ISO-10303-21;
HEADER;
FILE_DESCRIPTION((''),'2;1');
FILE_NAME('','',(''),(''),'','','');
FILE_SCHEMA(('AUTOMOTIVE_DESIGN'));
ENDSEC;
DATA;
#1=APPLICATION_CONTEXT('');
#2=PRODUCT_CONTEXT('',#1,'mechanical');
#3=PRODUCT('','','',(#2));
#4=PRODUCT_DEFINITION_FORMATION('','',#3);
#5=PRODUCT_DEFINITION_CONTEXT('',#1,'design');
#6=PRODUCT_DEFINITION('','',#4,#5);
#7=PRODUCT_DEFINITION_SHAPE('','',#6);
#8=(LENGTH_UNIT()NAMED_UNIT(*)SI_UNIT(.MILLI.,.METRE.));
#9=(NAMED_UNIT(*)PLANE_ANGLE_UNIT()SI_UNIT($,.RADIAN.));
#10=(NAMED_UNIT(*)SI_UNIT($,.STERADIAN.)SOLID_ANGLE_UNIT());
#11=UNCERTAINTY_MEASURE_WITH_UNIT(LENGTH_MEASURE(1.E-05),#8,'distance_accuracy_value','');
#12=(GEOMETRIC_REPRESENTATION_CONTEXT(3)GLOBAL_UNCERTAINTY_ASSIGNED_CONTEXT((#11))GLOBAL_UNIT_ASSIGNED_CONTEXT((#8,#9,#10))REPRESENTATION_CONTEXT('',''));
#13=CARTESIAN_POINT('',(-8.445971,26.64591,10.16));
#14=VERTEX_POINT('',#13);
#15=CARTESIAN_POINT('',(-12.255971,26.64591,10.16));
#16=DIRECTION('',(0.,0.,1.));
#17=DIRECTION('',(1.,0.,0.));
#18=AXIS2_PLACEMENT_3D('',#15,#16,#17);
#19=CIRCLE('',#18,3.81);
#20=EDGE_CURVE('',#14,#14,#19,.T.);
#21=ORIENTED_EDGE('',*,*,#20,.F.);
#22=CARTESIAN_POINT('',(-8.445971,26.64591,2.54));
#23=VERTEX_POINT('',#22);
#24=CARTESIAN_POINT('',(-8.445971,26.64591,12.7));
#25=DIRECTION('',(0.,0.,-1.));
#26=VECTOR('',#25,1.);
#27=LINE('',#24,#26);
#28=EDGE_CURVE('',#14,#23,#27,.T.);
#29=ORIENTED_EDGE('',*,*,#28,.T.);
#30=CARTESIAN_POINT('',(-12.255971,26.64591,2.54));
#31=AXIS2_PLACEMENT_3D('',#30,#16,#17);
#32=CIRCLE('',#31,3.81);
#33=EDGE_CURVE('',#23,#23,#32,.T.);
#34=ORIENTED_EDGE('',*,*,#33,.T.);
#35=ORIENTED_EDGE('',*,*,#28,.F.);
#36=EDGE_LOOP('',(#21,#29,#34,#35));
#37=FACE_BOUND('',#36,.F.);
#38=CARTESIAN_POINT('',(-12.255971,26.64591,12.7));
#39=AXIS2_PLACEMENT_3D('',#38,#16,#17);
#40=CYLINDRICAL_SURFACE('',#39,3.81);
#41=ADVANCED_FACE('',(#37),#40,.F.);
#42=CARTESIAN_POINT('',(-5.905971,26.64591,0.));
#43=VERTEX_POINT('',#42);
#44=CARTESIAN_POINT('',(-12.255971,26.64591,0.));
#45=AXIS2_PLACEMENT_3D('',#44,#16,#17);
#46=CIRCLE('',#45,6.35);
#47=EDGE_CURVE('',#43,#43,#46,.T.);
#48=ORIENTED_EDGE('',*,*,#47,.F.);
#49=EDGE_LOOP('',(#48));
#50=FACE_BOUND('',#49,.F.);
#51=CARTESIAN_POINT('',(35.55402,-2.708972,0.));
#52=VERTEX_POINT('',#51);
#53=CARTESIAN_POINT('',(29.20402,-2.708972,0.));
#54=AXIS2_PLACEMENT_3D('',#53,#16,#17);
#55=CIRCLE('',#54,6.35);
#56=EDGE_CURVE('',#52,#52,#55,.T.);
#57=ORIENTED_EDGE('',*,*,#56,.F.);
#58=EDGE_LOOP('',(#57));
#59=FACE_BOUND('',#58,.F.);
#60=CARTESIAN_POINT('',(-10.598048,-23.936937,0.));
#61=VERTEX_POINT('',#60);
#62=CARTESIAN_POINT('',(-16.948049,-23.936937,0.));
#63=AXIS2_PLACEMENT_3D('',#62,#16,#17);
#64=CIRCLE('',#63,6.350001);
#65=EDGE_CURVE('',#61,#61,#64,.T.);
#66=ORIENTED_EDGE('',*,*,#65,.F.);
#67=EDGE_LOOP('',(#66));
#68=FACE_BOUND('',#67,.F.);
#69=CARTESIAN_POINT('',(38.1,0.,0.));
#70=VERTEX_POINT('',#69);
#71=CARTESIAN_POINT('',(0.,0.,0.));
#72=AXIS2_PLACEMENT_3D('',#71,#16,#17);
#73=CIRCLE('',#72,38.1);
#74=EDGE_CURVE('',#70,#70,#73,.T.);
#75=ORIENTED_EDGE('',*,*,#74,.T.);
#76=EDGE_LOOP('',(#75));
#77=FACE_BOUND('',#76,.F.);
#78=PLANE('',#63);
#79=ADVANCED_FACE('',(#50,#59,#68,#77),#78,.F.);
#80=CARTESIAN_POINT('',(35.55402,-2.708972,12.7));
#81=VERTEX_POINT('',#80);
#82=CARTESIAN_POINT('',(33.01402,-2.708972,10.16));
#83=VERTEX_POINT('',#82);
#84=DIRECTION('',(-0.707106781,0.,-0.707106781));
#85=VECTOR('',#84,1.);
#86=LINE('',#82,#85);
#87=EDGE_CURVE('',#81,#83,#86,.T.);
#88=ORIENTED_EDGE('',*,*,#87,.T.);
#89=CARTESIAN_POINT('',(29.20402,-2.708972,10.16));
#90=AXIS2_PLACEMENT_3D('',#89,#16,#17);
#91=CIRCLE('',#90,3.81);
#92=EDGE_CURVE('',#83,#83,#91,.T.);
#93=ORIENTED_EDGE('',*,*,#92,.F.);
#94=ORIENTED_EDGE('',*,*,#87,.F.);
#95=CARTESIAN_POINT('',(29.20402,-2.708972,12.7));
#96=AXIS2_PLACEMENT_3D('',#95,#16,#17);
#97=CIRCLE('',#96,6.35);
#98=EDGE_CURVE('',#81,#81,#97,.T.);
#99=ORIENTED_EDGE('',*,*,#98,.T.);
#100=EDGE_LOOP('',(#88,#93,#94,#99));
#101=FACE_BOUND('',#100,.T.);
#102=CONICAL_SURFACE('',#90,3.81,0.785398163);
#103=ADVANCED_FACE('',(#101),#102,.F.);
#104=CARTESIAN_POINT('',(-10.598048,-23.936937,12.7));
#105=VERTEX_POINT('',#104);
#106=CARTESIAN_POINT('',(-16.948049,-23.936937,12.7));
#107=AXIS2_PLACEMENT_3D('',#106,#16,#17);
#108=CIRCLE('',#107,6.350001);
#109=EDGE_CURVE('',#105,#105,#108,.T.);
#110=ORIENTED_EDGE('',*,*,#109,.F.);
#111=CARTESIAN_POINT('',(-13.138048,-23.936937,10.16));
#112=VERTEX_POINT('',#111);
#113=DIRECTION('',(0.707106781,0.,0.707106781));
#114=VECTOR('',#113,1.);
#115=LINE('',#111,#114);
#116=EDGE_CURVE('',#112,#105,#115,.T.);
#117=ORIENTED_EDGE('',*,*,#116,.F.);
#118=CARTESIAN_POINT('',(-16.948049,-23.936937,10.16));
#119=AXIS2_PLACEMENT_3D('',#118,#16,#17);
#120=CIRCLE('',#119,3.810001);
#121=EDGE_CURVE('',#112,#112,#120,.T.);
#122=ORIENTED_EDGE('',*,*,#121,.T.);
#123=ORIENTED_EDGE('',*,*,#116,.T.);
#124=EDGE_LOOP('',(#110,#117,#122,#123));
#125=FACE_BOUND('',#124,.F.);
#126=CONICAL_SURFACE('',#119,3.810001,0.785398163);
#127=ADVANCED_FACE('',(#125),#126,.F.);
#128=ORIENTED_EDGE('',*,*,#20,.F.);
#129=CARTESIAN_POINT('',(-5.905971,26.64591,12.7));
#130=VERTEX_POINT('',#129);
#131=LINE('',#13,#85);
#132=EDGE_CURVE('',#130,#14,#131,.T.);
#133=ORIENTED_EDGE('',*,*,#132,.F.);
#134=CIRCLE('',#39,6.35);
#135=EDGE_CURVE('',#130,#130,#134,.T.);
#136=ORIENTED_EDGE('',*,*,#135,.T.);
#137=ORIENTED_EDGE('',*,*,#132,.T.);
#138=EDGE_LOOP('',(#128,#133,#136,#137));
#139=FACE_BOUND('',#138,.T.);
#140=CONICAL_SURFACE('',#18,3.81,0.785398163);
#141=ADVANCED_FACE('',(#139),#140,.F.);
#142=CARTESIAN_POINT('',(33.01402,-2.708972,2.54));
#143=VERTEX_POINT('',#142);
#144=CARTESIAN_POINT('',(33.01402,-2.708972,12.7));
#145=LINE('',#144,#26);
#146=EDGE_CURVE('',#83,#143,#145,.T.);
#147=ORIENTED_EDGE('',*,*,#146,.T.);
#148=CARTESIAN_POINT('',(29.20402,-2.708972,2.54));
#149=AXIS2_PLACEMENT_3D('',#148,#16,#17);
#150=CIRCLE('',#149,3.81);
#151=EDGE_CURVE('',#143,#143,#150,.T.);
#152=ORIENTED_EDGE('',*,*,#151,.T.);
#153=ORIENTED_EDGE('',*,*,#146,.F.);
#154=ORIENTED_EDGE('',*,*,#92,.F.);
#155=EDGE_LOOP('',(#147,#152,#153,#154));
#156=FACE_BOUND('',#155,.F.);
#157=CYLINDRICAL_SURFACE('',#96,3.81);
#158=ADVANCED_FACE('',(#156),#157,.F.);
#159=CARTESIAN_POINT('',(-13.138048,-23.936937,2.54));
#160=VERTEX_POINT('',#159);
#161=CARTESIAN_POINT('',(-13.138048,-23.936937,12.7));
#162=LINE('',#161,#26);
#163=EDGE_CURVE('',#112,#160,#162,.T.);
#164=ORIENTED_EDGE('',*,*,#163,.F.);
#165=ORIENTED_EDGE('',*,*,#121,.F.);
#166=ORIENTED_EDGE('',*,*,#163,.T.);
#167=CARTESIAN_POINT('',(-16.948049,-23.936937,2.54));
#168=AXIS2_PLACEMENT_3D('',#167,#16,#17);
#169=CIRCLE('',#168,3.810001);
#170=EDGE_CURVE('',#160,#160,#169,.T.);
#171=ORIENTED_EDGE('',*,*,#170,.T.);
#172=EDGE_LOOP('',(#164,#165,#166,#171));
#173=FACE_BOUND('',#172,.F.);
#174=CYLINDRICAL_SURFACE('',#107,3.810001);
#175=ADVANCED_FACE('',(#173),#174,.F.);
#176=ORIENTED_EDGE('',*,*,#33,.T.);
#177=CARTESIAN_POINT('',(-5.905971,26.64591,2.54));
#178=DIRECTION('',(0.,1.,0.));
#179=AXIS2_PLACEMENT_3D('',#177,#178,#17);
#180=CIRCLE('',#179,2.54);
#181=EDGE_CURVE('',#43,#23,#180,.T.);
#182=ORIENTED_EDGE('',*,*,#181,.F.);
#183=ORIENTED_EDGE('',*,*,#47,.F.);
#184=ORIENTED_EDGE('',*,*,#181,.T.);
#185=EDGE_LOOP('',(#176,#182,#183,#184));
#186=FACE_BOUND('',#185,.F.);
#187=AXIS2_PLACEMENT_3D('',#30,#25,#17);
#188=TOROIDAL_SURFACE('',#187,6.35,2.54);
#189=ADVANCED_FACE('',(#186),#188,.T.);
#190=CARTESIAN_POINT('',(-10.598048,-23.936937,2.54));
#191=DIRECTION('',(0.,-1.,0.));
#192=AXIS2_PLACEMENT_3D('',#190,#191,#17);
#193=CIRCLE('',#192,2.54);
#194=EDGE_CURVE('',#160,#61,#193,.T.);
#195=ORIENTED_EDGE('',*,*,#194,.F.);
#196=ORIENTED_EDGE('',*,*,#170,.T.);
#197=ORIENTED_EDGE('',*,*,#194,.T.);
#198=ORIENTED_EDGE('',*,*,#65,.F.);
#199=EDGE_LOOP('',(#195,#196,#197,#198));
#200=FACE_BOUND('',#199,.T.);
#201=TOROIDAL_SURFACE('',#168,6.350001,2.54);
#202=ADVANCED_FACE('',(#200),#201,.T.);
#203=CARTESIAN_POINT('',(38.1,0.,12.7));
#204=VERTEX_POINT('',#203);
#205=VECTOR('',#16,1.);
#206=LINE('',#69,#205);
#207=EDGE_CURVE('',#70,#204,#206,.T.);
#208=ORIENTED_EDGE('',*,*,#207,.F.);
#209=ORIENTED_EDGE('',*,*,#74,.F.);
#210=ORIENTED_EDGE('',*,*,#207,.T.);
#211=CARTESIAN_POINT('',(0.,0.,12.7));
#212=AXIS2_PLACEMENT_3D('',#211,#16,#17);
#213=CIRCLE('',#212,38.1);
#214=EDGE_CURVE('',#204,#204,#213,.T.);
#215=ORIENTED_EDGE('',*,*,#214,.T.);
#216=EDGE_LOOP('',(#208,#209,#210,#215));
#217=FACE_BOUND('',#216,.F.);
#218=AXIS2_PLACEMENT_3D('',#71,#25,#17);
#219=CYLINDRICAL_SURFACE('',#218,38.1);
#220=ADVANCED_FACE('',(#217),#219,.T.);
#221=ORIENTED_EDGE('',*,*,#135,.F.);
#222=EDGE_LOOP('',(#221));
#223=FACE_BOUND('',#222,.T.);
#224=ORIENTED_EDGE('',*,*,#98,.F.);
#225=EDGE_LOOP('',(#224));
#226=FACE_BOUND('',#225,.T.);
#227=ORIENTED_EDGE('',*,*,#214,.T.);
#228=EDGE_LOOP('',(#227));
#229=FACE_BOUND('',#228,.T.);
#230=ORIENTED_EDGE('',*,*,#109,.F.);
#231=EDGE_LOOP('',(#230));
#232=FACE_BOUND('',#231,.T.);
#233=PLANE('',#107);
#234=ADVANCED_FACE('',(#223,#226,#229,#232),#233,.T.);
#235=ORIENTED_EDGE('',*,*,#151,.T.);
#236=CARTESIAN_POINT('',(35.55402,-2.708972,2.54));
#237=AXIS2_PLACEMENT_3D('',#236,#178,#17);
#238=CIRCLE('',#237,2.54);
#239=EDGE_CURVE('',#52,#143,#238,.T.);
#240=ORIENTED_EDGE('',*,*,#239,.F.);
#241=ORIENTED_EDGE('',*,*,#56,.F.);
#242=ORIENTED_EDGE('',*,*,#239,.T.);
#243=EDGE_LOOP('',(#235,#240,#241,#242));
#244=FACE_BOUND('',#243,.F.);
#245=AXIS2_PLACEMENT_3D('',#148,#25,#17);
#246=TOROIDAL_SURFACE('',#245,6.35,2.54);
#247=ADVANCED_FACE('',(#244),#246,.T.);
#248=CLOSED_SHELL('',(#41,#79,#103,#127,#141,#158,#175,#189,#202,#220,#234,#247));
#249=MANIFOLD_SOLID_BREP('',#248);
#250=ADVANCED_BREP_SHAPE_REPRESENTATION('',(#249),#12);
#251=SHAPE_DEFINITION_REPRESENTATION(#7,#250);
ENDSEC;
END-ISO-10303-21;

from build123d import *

# Parameters (mm, degrees)
F0_R     = 38.1
F0_R_2   = 6.35
F1_DEPTH = 12.7
F2_R     = 6.35
F2_R_2   = 3.810001
F2_R_3   = 3.81
F3_DEPTH = 12.7
F4_R     = 2.54
F5_SIZE  = 2.54


with BuildPart() as f1:
    # F0 (on Top) → F1 (new body)
    with BuildSketch(Plane.XY):
        Circle(F0_R)
        with Locations((-16.948049, -23.936937)):
            Circle(F0_R_2, mode=Mode.SUBTRACT)
        with Locations((29.20402, -2.708972)):
            Circle(F0_R_2, mode=Mode.SUBTRACT)
        with Locations((-12.255971, 26.64591)):
            Circle(F0_R_2, mode=Mode.SUBTRACT)
    extrude(amount=F1_DEPTH)

    # F2 (on face) → F3 (join)
    with BuildSketch(Plane.XY.offset(12.7)):
        with Locations((-16.948049, -23.936937)):
            Circle(F2_R)
        with Locations((-16.948049, -23.936937)):
            Circle(F2_R_2, mode=Mode.SUBTRACT)
        with Locations((-12.255971, 26.64591)):
            Circle(F2_R)
        with Locations((-12.255971, 26.64591)):
            Circle(F2_R_3, mode=Mode.SUBTRACT)
        with Locations((29.20402, -2.708972)):
            Circle(F2_R)
        with Locations((29.20402, -2.708972)):
            Circle(F2_R_3, mode=Mode.SUBTRACT)
    extrude(amount=-F3_DEPTH)

    # F4
    f4_edges = [f1.edges().sort_by_distance(p)[0] for p in [
        (25.39402, -2.708972, 0),
        (-16.065971, 26.64591, 0),
        (-20.75805, -23.936937, 0),
    ]]
    fillet(f4_edges, radius=F4_R)

    # F5
    f5_edges = [f1.edges().sort_by_distance(p)[0] for p in [
        (-16.065971, 26.64591, 12.7),
        (25.39402, -2.708972, 12.7),
        (-20.75805, -23.936937, 12.7),
    ]]
    chamfer(f5_edges, length=F5_SIZE)


solid = f1.part
